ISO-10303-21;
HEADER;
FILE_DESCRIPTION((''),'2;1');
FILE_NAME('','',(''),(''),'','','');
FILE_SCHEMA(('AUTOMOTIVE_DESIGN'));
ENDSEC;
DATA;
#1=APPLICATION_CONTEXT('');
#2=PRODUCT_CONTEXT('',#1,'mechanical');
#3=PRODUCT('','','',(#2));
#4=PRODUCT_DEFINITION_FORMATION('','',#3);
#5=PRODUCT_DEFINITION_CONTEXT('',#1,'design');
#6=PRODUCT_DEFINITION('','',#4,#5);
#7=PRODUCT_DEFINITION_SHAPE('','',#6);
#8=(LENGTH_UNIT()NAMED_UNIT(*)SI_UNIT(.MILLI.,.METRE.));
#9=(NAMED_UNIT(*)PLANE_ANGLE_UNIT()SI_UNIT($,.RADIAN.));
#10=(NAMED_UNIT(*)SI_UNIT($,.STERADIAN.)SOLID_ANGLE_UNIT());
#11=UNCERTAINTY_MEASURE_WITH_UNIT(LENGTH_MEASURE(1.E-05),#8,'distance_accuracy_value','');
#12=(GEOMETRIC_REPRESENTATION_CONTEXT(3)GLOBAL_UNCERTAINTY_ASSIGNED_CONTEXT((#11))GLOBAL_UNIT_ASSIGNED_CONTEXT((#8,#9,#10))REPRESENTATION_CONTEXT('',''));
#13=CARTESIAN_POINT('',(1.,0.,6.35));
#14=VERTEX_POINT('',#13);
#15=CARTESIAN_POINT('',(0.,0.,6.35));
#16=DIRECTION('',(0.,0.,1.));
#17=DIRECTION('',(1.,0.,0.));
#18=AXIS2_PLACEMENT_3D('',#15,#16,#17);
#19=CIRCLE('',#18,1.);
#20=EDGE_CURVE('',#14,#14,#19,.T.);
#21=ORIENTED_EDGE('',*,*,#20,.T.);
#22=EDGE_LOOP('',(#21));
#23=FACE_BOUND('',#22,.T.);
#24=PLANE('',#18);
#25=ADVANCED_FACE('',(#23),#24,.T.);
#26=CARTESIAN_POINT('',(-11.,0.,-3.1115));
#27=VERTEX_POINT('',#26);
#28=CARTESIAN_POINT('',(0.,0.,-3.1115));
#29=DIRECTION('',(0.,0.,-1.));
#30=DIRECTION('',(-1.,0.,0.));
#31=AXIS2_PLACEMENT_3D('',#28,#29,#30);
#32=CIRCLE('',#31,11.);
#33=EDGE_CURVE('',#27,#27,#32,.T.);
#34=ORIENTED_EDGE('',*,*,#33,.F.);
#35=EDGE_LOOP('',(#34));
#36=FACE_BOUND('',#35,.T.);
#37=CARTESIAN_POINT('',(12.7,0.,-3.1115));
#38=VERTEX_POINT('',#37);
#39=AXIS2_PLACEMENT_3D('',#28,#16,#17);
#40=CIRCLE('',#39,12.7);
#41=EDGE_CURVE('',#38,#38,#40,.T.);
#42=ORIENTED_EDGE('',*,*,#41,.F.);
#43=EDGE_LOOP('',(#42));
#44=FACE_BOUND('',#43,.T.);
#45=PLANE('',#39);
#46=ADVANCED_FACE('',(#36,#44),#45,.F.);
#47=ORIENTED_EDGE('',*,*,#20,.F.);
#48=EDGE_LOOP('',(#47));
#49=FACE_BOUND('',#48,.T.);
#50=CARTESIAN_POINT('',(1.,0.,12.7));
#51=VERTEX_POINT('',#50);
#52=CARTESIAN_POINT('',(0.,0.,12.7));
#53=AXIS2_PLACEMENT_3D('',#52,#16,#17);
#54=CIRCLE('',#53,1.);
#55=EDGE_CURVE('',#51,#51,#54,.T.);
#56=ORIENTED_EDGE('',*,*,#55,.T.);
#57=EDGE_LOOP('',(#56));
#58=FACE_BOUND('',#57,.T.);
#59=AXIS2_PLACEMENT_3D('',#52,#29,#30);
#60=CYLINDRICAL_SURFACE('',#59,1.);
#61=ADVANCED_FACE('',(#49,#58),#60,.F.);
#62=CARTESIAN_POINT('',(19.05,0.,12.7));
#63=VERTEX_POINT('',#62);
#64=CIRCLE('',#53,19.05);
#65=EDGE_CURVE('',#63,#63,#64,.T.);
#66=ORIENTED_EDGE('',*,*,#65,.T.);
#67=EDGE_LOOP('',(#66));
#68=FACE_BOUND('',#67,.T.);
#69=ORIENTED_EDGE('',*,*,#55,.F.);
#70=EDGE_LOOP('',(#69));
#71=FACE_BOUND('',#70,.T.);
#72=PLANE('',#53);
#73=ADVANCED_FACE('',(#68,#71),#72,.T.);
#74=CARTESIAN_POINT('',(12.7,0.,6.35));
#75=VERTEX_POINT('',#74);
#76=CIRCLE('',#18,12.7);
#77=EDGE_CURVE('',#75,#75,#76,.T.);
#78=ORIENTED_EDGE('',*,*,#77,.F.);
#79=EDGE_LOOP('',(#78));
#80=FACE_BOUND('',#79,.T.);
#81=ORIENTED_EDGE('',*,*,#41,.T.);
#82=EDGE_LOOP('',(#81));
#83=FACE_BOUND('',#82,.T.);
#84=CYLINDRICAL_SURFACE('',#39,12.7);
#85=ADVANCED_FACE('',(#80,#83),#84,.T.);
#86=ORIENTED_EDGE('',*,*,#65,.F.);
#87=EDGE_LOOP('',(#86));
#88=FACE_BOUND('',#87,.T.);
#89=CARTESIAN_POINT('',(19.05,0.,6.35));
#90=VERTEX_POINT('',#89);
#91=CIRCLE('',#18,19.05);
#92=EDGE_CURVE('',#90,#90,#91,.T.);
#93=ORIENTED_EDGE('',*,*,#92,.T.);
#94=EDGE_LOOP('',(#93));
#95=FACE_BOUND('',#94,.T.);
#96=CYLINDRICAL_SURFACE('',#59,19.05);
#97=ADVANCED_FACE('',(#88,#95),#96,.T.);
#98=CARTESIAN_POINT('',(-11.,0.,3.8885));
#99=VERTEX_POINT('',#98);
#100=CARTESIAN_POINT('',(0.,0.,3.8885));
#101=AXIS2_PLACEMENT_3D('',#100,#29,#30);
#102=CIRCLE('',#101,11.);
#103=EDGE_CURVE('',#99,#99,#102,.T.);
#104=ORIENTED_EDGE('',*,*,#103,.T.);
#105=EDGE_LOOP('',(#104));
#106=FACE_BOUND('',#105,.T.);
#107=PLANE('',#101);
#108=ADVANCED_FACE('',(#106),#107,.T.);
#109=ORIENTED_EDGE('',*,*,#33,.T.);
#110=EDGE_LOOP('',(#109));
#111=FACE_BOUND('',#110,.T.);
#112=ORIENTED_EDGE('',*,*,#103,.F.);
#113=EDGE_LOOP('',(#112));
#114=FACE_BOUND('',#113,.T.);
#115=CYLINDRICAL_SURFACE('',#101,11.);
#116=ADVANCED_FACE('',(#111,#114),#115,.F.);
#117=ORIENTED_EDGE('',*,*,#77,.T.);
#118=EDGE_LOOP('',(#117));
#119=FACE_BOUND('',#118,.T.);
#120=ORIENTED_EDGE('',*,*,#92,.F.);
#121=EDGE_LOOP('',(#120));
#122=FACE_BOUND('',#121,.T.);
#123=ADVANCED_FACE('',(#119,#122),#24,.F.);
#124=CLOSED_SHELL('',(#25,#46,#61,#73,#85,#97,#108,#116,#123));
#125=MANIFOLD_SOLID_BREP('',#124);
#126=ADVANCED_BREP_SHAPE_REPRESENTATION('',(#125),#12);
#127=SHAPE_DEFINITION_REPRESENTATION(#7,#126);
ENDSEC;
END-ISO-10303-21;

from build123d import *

# Parameters (mm, degrees)
SKETCH2_R                = 12.7
BOSS_EXTRUDE1_DEPTH      = 6.35
BOSS_EXTRUDE1_DEPTH_BACK = 3.1115
SKETCH4_R                = 19.05
SKETCH4_R_2              = 1
BOSS_EXTRUDE2_DEPTH      = 6.35
SKETCH5_R                = 11
CUT_EXTRUDE1_DEPTH       = 7


with BuildPart() as part:
    # Sketch2 → Boss-Extrude1 (new body, two sides)
    with BuildSketch(Plane.XY) as boss_extrude1_sk:
        Circle(SKETCH2_R)
    extrude(amount=BOSS_EXTRUDE1_DEPTH)
    extrude(boss_extrude1_sk.sketch, amount=-BOSS_EXTRUDE1_DEPTH_BACK)

    # Sketch4 → Boss-Extrude2 (add)
    with BuildSketch(Plane.XY.offset(6.35)):
        Circle(SKETCH4_R)
        Circle(SKETCH4_R_2, mode=Mode.SUBTRACT)
    extrude(amount=BOSS_EXTRUDE2_DEPTH)

    # Sketch5 → Cut-Extrude1 (cut)
    with BuildSketch(Plane(origin=(0, 0, -3.1115), x_dir=(-1, 0, 0), z_dir=(0, 0, -1))):
        Circle(SKETCH5_R)
    extrude(amount=-CUT_EXTRUDE1_DEPTH, mode=Mode.SUBTRACT)


solid = part.part
